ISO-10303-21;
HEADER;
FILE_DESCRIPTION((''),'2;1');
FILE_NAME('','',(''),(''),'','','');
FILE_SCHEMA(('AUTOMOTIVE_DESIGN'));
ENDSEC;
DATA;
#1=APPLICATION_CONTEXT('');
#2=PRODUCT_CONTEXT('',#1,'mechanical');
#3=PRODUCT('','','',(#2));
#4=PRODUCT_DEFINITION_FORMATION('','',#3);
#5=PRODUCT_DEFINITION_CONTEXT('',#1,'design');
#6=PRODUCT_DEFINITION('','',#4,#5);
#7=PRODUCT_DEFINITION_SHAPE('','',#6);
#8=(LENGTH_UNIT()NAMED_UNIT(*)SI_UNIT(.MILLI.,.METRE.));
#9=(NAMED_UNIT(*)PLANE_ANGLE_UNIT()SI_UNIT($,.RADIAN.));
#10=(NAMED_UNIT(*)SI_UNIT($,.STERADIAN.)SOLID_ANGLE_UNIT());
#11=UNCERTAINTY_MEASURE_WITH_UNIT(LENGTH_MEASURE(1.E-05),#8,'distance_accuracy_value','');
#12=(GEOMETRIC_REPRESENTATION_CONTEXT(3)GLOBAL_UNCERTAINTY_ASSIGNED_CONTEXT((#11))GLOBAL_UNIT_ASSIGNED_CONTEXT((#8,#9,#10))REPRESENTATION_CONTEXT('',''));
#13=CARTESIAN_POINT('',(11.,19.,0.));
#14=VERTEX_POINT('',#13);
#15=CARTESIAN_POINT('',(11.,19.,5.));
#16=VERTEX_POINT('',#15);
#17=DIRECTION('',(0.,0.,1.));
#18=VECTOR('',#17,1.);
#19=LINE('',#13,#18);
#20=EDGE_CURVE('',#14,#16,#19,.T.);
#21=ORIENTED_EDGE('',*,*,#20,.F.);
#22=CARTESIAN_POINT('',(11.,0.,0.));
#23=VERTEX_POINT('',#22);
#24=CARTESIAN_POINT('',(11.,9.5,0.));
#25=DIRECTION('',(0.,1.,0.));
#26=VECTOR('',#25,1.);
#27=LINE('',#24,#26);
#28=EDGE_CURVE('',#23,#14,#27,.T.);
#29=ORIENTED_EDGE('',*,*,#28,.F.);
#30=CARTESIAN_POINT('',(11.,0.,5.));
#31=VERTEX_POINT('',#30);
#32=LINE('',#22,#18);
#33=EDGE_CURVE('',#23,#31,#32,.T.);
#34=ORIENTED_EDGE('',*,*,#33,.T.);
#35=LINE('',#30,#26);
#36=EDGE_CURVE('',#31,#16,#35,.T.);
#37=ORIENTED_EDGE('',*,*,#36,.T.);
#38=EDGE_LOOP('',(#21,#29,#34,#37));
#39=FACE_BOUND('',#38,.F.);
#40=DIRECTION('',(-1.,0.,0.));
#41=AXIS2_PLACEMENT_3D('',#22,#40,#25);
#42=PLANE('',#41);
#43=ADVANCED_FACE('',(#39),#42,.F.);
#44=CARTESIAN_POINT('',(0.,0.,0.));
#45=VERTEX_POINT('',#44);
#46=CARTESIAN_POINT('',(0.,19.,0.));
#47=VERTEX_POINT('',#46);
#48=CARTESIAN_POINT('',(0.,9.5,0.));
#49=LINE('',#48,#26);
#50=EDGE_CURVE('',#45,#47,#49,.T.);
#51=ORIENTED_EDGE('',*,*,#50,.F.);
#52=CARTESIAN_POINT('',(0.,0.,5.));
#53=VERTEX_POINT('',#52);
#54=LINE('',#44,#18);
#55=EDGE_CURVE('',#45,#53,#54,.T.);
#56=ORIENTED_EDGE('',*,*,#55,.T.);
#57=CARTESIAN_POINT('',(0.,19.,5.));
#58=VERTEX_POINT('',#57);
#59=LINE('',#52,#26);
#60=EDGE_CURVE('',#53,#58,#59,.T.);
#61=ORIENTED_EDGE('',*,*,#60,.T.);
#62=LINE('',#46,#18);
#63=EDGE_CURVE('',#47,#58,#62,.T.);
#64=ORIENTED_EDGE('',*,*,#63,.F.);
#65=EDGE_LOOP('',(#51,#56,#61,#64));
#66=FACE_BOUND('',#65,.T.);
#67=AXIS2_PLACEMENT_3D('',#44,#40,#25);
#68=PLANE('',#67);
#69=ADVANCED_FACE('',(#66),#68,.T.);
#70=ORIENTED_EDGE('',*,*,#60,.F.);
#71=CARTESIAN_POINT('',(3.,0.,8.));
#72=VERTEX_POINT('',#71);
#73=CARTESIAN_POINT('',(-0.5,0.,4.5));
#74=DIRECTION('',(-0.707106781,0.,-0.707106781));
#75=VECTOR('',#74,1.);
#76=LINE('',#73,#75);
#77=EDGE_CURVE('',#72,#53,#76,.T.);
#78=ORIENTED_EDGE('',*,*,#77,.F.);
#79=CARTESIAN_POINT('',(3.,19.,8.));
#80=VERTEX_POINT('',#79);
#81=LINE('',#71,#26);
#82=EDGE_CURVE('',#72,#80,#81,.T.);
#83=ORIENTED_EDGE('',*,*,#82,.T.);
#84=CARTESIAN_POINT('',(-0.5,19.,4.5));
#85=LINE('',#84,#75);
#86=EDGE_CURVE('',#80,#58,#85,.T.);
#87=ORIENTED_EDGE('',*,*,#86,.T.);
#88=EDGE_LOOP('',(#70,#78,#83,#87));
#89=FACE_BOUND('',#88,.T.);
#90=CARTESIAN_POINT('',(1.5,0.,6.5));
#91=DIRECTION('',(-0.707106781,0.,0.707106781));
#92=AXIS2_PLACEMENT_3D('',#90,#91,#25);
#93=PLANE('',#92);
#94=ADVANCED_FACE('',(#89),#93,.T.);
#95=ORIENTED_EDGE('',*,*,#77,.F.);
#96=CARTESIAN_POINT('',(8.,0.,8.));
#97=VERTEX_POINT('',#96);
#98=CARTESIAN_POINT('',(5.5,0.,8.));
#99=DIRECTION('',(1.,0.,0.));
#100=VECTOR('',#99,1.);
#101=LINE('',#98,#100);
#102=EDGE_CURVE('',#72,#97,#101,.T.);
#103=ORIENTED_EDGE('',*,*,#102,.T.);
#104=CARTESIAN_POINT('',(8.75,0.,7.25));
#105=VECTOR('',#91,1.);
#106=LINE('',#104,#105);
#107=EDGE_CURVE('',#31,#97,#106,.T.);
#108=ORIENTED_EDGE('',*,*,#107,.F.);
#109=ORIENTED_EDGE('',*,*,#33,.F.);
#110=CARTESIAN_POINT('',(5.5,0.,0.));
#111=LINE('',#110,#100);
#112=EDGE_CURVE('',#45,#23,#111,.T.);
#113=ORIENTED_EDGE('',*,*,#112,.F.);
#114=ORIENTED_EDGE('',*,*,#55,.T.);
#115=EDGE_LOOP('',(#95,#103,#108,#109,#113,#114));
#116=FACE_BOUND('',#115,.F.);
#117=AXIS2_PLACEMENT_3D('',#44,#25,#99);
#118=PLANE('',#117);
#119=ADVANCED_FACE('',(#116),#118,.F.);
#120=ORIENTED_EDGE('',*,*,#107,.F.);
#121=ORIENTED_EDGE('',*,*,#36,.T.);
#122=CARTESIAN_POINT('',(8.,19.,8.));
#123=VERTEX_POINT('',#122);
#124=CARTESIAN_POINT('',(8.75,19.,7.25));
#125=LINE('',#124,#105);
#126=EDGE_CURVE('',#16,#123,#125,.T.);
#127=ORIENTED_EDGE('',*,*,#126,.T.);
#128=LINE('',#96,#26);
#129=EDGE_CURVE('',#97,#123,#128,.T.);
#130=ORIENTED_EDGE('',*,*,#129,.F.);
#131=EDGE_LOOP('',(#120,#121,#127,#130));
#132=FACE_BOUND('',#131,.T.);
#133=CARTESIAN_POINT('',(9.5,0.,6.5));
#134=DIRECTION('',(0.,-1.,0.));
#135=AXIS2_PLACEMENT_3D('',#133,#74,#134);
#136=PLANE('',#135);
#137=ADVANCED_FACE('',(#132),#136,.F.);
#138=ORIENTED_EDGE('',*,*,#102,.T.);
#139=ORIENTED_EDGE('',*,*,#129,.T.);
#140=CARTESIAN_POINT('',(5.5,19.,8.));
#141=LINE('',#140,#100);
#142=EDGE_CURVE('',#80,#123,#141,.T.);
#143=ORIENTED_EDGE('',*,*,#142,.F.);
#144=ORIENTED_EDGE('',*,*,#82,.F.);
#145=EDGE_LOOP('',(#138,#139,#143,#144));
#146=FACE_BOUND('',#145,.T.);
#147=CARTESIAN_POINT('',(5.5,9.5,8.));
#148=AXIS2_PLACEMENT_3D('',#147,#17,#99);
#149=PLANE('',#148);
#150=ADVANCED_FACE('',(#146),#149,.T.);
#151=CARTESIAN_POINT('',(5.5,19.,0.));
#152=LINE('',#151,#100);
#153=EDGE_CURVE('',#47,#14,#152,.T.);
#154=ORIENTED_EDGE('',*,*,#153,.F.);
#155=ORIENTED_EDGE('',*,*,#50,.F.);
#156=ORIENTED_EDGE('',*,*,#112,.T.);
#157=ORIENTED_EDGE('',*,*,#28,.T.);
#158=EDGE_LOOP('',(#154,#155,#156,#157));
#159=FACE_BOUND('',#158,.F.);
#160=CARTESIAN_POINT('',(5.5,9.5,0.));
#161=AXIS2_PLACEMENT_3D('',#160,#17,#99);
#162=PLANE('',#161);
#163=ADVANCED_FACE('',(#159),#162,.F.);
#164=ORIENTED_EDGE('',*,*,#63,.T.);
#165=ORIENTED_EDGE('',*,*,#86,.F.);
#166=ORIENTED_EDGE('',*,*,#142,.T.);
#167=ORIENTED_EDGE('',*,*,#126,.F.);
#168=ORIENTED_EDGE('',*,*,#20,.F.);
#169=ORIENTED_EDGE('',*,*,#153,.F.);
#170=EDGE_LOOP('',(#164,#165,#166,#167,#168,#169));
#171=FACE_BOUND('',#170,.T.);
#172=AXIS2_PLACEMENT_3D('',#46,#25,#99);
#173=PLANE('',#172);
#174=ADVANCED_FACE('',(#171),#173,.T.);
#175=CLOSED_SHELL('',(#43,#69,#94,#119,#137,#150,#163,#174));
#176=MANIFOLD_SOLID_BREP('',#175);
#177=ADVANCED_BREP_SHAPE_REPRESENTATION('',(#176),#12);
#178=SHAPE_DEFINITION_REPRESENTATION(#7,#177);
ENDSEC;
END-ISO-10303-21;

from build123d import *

# Parameters (mm, degrees)
BOX_W           = 11
BOX_H           = 19
BOX_DEPTH       = 8
CHAMFER_SIZE    = 3
CHAMFER002_SIZE = 3


with BuildPart() as part:
    # Box → Box (new body)
    with BuildSketch(Plane.XY):
        with Locations((5.5, 9.5)):
            Rectangle(BOX_W, BOX_H)
    extrude(amount=BOX_DEPTH)

    # Chamfer
    chamfer_edges = [part.edges().sort_by_distance(p)[0] for p in [
        (11, 9.5, 8),
    ]]
    chamfer(chamfer_edges, length=CHAMFER_SIZE)

    # Chamfer002
    chamfer002_edges = [part.edges().sort_by_distance(p)[0] for p in [
        (0, 9.5, 8),
    ]]
    chamfer(chamfer002_edges, length=CHAMFER002_SIZE)


solid = part.part
